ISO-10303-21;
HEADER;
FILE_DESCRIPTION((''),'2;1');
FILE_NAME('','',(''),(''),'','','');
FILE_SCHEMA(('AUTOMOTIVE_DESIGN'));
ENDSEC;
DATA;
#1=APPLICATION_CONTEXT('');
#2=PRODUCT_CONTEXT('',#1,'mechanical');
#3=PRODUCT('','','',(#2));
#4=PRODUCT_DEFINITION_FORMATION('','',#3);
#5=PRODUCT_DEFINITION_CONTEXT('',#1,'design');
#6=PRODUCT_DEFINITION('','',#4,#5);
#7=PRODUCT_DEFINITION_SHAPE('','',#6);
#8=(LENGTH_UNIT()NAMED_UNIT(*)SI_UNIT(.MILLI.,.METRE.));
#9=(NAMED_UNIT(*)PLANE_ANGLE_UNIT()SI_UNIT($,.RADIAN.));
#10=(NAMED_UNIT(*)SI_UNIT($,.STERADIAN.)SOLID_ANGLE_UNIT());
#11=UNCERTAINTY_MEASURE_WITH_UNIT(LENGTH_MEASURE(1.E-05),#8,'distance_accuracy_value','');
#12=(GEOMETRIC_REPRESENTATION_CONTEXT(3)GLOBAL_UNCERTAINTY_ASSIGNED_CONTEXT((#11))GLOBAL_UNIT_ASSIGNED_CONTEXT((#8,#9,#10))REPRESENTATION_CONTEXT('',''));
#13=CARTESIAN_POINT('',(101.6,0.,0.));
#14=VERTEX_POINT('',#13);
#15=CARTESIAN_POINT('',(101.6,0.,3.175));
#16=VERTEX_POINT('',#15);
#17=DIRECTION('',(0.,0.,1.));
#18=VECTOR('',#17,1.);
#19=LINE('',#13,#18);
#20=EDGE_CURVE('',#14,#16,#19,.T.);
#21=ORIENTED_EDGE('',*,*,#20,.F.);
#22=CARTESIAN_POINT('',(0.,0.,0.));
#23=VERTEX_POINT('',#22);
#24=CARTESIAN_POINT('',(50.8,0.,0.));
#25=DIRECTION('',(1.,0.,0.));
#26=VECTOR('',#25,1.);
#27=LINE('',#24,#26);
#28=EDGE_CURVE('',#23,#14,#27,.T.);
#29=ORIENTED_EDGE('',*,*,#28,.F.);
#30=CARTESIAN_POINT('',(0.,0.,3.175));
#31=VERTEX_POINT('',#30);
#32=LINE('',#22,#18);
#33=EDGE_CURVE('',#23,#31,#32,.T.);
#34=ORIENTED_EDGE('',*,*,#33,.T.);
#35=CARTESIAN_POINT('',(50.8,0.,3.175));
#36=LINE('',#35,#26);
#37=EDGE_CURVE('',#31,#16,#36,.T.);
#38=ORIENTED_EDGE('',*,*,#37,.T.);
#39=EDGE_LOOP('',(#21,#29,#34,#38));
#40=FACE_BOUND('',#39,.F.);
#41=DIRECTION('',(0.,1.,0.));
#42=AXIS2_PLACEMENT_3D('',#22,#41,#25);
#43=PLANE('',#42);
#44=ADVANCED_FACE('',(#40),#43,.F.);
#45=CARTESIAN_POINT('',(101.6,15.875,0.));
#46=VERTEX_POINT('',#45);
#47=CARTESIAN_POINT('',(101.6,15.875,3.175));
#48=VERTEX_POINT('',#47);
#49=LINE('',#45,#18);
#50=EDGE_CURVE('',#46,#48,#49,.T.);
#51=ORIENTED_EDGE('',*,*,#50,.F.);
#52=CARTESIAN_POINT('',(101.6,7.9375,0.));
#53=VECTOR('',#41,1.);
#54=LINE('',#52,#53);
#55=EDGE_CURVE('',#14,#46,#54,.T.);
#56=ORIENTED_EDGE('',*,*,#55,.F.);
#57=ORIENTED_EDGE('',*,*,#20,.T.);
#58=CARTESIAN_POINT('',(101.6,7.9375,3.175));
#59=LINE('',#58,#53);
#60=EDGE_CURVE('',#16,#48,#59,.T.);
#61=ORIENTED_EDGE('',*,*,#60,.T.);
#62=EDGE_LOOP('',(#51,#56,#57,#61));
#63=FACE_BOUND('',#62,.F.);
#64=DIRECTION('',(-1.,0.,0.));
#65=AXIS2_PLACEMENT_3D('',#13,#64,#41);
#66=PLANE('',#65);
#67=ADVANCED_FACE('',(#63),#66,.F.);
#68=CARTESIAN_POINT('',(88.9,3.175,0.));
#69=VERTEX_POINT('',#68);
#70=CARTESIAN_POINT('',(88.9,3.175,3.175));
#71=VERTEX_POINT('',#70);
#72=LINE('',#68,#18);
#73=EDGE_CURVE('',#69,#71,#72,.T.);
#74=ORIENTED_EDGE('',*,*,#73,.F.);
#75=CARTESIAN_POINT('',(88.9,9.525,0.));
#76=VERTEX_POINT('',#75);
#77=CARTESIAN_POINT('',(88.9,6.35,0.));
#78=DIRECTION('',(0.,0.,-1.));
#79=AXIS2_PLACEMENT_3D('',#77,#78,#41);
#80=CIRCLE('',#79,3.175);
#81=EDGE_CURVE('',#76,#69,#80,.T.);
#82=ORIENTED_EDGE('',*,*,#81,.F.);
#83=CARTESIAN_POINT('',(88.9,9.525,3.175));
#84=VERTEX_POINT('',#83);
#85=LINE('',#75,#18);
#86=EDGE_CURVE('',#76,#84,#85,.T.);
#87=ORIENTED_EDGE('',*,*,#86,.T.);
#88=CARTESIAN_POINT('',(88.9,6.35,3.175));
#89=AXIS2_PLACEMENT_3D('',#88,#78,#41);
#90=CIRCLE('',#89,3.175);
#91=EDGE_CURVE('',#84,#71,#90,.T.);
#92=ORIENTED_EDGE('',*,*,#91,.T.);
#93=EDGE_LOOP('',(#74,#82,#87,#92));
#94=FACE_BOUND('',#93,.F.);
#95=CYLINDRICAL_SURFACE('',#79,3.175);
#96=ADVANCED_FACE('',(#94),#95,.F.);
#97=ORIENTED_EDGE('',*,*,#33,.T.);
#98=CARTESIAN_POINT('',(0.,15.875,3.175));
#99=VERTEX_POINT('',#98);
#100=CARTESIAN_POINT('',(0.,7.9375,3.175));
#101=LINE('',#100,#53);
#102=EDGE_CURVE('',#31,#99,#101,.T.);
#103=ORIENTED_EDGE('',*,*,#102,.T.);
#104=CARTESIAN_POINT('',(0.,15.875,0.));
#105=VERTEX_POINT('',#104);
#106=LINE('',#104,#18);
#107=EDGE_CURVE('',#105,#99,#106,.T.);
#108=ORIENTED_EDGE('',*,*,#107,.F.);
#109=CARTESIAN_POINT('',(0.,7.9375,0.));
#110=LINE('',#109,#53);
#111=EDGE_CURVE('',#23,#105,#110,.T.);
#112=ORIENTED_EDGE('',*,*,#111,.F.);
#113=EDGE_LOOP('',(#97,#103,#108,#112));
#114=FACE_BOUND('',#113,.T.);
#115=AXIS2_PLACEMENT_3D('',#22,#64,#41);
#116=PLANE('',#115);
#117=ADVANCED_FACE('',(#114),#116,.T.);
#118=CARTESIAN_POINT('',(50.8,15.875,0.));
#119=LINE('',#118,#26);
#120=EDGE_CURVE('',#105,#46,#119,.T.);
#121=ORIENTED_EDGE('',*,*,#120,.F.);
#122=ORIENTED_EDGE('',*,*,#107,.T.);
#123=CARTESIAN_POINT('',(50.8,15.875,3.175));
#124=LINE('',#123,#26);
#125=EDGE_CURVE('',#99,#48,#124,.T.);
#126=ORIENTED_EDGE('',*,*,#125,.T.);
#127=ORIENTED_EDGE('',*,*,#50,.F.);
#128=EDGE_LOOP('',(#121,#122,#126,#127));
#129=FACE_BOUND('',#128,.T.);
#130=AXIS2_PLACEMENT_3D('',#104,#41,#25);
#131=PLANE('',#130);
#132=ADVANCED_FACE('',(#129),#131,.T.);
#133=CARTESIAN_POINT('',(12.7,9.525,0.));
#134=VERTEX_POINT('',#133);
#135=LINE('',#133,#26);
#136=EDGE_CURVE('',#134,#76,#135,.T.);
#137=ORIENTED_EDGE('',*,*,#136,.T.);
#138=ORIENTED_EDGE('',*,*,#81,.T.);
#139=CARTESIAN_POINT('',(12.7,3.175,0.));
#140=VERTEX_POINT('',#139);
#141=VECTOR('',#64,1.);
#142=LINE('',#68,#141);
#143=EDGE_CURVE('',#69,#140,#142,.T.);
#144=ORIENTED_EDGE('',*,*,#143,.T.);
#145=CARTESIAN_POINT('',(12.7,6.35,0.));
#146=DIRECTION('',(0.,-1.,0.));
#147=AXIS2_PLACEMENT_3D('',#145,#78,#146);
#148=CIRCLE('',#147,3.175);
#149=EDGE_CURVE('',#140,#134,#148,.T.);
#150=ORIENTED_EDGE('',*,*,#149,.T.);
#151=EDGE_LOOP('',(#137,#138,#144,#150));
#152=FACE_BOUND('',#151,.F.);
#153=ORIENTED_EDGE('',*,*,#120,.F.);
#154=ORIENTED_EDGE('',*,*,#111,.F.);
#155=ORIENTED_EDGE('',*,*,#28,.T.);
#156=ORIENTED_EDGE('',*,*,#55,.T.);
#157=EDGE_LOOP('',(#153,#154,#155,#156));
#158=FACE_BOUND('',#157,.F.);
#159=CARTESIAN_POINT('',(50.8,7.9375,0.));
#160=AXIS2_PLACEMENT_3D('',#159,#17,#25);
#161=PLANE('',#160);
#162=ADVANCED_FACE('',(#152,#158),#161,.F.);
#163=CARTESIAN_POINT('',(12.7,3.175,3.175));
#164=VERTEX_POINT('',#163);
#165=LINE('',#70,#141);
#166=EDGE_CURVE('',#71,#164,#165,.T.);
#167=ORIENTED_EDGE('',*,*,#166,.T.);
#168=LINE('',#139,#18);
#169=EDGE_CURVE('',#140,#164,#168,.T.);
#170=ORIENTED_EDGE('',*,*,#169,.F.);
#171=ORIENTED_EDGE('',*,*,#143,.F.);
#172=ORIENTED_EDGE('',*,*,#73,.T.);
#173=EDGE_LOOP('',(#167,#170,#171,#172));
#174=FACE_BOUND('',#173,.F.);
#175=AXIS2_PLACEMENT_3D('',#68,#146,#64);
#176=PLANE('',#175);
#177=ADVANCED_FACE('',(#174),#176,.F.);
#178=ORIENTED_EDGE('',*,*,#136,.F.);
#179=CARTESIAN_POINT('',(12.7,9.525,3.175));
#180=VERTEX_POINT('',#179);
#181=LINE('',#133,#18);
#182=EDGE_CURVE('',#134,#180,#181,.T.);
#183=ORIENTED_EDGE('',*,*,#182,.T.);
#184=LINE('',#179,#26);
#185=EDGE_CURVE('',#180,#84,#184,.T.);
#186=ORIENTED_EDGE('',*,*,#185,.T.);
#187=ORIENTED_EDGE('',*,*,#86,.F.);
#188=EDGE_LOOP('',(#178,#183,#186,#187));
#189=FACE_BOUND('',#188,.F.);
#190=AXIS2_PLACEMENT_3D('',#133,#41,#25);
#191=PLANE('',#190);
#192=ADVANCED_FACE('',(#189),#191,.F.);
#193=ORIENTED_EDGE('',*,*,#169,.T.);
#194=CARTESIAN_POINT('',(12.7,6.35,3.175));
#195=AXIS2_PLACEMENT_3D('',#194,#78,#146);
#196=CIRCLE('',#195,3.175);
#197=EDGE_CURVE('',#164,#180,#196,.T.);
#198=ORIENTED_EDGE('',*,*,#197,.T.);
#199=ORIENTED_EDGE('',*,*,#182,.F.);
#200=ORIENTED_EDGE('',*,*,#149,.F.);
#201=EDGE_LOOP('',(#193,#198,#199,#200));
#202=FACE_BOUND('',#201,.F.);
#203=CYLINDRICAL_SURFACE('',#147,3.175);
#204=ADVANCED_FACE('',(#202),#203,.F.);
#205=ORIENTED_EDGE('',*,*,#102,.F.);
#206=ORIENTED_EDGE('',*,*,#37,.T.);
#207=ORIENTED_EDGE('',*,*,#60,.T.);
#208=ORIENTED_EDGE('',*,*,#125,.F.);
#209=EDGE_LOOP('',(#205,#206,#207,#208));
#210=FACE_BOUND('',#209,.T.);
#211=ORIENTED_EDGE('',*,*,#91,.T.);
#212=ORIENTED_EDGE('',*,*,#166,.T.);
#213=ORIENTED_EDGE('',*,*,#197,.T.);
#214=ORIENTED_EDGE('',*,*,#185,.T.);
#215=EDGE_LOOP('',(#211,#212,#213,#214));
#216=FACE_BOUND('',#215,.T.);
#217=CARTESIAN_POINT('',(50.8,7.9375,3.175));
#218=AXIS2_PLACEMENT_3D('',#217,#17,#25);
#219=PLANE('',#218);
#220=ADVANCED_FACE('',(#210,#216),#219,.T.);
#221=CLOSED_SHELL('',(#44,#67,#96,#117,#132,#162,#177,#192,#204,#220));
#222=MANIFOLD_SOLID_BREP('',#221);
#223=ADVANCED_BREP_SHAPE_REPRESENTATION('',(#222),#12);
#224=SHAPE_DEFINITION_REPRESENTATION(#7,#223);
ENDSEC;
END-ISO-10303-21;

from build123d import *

# Parameters (mm, degrees)
F0_W     = 101.6
F0_H     = 15.875
F1_DEPTH = 3.175


with BuildPart() as f1:
    # F0 (on Top) → F1 (new body)
    with BuildSketch(Plane.XY):
        with Locations((50.8, 7.9375)):
            Rectangle(F0_W, F0_H)
        with BuildLine():
            ThreePointArc((12.7, 3.175), (9.525, 6.35), (12.7, 9.525))
            Line((12.7, 9.525), (88.9, 9.525))
            ThreePointArc((88.9, 9.525), (92.075, 6.35), (88.9, 3.175))
            Line((88.9, 3.175), (12.7, 3.175))
        make_face(mode=Mode.SUBTRACT)
    extrude(amount=F1_DEPTH)


solid = f1.part
